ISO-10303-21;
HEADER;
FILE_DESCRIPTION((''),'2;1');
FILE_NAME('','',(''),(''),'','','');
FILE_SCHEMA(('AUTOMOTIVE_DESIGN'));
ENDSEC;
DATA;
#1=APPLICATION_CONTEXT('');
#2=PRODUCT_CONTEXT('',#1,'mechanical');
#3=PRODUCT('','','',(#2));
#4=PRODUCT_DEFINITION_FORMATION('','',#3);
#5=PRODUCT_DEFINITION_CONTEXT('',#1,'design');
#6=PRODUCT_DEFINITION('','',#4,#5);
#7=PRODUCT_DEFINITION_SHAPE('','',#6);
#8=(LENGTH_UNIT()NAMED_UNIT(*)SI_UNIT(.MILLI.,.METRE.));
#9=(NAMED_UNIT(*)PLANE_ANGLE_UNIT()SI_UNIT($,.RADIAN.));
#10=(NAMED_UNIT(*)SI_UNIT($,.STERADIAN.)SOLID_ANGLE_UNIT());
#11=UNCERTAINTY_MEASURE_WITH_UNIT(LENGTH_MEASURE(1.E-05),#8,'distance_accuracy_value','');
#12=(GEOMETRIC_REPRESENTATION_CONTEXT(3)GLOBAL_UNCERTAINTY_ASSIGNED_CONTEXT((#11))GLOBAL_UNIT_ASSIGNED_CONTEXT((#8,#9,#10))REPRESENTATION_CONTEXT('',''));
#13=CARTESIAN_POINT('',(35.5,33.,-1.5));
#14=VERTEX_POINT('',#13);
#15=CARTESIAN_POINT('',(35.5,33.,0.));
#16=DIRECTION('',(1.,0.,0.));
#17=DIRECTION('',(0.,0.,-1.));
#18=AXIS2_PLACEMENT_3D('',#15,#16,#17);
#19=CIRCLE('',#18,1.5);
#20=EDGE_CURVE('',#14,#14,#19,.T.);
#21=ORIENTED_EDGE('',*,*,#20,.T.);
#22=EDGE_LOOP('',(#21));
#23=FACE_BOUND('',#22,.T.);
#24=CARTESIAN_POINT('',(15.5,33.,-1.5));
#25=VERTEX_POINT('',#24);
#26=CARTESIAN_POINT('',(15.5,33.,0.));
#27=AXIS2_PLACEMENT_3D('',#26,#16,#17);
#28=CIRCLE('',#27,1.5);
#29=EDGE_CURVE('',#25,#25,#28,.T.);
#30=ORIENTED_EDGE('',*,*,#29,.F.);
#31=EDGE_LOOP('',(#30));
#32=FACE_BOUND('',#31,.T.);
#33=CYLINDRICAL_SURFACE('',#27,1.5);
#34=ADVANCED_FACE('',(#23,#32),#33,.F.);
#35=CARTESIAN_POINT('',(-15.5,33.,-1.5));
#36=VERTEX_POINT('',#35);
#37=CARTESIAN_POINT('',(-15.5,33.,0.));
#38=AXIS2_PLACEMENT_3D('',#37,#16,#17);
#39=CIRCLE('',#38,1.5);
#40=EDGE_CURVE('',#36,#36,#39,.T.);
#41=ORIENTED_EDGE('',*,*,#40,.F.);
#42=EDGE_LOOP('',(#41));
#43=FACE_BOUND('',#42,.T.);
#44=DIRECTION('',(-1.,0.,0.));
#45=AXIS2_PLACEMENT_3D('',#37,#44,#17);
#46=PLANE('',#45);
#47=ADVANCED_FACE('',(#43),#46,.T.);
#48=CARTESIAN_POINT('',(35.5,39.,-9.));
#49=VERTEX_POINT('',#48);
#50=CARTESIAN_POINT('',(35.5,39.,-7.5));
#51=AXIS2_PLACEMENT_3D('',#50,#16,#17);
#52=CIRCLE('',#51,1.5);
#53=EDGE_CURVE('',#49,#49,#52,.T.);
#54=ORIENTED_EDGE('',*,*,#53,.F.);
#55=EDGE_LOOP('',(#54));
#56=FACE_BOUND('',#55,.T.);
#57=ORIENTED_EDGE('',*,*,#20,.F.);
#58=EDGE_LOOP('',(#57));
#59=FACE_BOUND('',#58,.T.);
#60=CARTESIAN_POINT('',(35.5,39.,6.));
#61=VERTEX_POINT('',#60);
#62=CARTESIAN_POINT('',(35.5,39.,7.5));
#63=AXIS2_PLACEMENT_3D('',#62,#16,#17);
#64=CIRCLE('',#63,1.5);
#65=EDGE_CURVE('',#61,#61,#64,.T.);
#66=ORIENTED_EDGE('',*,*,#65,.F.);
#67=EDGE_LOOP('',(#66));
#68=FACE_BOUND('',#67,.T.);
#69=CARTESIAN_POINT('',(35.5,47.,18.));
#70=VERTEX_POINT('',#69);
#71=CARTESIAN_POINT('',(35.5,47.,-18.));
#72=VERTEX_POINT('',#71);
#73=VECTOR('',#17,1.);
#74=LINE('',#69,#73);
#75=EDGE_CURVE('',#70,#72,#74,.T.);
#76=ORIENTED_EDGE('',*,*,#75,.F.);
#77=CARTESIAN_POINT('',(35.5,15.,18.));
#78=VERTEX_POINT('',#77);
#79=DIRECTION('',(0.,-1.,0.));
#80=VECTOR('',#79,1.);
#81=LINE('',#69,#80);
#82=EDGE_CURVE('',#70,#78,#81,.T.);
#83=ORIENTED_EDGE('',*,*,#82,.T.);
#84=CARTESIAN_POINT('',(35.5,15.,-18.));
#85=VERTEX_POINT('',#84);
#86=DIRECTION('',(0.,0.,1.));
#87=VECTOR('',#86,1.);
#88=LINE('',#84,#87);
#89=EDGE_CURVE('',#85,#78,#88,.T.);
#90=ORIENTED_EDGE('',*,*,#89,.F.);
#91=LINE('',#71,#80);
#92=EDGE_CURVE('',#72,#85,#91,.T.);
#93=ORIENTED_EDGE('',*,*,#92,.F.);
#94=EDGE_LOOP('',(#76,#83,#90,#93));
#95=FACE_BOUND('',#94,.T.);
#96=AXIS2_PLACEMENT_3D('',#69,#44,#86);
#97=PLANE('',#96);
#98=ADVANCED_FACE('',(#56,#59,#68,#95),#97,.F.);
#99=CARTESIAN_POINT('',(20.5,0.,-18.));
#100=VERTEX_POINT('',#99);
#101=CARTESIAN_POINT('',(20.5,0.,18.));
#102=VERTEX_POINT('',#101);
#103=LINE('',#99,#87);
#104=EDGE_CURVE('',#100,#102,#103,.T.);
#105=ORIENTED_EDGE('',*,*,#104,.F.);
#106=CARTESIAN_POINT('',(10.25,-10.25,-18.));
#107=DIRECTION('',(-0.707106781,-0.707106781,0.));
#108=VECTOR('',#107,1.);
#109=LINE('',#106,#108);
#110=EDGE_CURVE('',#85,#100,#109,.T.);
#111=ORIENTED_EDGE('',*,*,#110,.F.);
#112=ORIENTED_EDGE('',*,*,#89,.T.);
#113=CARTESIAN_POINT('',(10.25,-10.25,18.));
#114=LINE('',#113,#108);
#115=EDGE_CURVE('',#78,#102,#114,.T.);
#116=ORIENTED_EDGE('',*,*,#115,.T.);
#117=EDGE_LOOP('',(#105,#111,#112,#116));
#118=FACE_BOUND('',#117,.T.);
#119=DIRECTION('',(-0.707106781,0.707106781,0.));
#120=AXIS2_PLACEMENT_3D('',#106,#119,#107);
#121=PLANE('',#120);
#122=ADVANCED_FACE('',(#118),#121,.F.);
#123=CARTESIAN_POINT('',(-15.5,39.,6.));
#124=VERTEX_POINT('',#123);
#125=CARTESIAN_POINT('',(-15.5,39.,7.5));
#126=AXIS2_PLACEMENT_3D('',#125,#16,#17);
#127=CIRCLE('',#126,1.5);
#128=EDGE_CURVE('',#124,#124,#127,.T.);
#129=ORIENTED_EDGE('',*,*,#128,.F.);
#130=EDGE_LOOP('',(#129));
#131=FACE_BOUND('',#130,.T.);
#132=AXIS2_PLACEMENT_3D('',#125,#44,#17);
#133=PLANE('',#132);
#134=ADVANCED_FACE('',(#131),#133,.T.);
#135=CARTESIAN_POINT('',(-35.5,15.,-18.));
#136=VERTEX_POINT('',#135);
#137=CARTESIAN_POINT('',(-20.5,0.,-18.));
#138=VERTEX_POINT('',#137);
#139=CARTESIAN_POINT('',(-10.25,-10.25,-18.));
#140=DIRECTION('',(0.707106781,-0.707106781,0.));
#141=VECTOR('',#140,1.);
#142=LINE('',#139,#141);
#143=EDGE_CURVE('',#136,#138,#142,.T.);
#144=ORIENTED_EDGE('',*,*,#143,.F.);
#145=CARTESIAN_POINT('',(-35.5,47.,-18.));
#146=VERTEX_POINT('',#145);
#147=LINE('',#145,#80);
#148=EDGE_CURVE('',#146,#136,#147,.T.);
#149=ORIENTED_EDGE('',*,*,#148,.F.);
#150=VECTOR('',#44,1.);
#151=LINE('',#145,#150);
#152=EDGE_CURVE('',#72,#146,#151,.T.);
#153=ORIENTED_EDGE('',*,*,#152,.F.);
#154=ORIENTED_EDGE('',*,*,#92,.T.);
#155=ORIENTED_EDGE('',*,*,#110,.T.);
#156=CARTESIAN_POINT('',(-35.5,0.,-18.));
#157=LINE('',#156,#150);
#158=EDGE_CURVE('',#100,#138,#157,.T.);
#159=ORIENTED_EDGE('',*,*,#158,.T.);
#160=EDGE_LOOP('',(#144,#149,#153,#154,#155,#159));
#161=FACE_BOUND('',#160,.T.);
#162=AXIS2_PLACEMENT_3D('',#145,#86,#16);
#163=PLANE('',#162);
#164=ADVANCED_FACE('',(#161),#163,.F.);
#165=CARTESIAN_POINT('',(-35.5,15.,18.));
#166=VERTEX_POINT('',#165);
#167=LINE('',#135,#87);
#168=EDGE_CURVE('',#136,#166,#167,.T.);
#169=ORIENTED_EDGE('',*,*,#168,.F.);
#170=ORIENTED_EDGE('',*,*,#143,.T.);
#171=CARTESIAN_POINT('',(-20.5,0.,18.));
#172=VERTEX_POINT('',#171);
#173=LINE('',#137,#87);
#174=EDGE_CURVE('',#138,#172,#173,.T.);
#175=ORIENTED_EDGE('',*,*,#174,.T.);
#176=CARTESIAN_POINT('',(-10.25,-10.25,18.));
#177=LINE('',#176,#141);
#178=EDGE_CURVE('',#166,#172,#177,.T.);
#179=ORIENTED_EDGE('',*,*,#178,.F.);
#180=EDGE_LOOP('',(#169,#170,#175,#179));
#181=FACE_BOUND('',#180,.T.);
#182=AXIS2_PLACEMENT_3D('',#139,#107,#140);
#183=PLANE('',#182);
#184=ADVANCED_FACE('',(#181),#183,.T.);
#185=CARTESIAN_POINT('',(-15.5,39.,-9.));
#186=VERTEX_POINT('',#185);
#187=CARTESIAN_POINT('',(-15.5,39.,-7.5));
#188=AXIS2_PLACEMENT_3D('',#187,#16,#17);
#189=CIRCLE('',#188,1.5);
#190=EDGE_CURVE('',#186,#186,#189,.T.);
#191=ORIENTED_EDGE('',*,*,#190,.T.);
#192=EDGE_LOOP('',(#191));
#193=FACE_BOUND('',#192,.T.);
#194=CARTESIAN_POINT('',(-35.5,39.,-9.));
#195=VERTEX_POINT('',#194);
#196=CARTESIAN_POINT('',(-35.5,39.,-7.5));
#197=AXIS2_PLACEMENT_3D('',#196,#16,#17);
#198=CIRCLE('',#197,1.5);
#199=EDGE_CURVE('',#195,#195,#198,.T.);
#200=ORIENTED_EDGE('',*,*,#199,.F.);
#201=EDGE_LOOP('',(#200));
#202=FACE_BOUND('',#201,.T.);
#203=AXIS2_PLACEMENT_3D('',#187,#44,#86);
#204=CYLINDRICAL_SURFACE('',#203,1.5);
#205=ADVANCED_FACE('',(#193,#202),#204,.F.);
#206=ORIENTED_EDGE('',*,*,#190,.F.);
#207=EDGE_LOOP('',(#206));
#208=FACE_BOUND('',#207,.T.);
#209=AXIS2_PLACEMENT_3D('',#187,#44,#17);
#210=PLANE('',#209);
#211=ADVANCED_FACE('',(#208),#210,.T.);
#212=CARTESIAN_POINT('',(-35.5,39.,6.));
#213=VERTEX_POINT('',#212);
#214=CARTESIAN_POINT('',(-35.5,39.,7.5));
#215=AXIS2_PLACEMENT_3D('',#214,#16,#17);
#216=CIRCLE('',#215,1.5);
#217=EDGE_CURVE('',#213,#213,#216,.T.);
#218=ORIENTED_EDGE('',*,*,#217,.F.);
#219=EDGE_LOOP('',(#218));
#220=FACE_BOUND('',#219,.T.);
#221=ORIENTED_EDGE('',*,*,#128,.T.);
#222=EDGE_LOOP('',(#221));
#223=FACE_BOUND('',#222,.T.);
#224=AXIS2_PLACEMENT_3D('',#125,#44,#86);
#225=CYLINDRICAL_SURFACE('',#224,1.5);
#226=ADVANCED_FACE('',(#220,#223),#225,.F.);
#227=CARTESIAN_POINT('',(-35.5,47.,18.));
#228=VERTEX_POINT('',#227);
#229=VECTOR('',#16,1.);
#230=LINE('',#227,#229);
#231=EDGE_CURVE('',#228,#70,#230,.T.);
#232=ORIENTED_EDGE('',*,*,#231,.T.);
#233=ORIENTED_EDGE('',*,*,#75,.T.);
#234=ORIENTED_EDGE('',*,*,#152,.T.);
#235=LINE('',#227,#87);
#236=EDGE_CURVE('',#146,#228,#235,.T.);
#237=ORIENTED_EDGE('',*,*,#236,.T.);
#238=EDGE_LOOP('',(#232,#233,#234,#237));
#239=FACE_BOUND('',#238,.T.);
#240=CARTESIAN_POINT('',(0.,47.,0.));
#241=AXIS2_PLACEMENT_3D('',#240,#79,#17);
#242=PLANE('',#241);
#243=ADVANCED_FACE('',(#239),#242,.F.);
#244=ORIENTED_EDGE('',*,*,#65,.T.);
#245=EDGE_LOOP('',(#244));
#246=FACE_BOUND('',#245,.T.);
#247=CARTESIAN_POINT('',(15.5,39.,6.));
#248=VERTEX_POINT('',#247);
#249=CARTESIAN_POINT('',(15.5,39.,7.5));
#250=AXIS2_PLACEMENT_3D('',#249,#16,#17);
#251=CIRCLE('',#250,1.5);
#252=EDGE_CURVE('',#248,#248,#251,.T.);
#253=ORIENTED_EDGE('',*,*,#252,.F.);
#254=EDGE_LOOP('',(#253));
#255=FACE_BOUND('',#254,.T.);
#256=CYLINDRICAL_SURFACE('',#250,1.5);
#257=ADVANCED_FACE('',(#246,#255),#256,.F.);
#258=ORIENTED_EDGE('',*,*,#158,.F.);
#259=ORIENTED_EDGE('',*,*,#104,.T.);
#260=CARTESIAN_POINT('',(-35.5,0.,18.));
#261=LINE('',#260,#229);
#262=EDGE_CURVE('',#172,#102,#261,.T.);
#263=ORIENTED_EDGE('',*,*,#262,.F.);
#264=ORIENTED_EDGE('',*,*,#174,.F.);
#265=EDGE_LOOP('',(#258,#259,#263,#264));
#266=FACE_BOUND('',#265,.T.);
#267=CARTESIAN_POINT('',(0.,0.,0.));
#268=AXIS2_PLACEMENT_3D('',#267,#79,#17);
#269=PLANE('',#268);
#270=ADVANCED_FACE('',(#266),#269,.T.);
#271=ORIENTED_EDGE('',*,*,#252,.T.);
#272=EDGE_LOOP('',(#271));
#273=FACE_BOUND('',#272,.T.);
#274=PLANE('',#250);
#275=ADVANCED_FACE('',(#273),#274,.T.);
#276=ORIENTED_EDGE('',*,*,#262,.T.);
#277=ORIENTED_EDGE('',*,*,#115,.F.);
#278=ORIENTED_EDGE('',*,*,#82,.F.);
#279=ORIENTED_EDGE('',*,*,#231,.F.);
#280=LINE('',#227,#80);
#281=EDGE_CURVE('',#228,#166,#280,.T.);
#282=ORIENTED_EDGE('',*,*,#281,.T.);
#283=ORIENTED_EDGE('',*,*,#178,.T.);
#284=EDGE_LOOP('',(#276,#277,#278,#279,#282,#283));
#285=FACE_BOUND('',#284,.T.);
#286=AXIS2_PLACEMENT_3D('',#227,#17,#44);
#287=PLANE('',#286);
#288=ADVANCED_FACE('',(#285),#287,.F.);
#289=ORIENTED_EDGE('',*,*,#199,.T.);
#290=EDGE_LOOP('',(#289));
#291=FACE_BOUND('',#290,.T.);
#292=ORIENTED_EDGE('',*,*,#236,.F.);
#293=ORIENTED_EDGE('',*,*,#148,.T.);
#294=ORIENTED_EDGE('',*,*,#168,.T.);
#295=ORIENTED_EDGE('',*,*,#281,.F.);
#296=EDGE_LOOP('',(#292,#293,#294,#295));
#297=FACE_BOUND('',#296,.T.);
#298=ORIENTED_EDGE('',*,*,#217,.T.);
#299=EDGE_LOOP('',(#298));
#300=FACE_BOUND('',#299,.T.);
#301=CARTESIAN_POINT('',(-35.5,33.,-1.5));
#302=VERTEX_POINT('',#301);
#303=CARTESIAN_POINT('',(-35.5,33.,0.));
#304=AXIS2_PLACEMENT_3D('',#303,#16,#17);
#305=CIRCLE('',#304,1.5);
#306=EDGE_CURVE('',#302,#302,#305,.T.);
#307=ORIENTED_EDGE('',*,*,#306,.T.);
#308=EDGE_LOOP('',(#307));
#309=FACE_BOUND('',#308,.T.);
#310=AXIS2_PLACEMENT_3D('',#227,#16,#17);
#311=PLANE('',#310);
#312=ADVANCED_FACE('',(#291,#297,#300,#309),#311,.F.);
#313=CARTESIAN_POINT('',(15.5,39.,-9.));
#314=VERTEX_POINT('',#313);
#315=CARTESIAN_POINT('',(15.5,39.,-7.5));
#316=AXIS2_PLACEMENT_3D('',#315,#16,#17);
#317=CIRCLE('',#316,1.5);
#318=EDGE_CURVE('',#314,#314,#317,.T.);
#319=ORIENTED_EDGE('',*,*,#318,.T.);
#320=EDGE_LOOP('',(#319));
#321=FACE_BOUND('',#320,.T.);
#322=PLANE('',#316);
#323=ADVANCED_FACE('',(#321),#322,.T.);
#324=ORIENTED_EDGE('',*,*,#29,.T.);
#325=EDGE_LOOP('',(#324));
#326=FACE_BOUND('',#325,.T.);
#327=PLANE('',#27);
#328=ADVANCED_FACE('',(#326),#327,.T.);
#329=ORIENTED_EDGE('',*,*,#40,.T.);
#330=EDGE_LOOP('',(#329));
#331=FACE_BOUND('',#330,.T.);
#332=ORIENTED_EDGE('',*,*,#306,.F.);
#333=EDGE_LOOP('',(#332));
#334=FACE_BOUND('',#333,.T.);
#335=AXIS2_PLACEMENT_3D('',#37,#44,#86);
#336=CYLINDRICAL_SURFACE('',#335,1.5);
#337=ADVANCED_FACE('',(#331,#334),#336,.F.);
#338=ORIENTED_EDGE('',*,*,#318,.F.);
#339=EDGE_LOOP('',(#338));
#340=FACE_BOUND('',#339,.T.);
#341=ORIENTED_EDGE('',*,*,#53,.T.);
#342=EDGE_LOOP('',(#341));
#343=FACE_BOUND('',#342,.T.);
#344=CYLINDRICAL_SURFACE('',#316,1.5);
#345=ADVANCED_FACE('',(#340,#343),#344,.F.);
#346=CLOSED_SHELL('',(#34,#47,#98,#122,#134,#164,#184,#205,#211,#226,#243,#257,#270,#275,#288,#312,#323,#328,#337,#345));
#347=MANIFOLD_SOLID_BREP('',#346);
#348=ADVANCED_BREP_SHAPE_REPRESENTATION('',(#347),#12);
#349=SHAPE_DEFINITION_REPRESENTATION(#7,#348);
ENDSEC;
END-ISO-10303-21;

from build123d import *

# Parameters (mm, degrees)
SKETCH_1_W          = 71
SKETCH_1_H          = 36
EXTRUDE_1_DEPTH     = 47
CUT_EXTRUDE_1_DEPTH = 37
SKETCH_3_R          = 1.5
CUT_EXTRUDE_2_DEPTH = 20


with BuildPart() as part:
    # Эскиз1 → Бобышка-Вытянуть1 (new body)
    with BuildSketch(Plane(origin=(0, 0, 0), x_dir=(1, 0, 0), z_dir=(0, 1, 0))):
        Rectangle(SKETCH_1_W, SKETCH_1_H)
    extrude(amount=EXTRUDE_1_DEPTH)

    # Эскиз2 → Вырез-Вытянуть1 (cut, through all)
    with BuildSketch(Plane.XY.offset(18)):
        Polygon((-20.5, 0), (-35.5, 15), (-35.5, 0), align=None)
        Polygon((35.5, 15), (20.5, 0), (35.5, 0), align=None)
    extrude(amount=-CUT_EXTRUDE_1_DEPTH, mode=Mode.SUBTRACT)

    # Эскиз3 → Вырез-Вытянуть2 (cut)
    with BuildSketch(Plane(origin=(35.5, 0, 0), x_dir=(0, 0, -1), z_dir=(1, 0, 0))):
        with Locations((-7.5, 39)):
            Circle(SKETCH_3_R)
        with Locations((7.5, 39)):
            Circle(SKETCH_3_R)
        with Locations((0, 33)):
            Circle(SKETCH_3_R)
    cut_extrude_2 = extrude(amount=-CUT_EXTRUDE_2_DEPTH, mode=Mode.SUBTRACT)

    # Зеркальное отражение1: Вырез-Вытянуть2 across plane
    add(cut_extrude_2.mirror(Plane(origin=(0, 0, 0), x_dir=(0, 0, 1), z_dir=(1, 0, 0))), mode=Mode.SUBTRACT)


solid = part.part
